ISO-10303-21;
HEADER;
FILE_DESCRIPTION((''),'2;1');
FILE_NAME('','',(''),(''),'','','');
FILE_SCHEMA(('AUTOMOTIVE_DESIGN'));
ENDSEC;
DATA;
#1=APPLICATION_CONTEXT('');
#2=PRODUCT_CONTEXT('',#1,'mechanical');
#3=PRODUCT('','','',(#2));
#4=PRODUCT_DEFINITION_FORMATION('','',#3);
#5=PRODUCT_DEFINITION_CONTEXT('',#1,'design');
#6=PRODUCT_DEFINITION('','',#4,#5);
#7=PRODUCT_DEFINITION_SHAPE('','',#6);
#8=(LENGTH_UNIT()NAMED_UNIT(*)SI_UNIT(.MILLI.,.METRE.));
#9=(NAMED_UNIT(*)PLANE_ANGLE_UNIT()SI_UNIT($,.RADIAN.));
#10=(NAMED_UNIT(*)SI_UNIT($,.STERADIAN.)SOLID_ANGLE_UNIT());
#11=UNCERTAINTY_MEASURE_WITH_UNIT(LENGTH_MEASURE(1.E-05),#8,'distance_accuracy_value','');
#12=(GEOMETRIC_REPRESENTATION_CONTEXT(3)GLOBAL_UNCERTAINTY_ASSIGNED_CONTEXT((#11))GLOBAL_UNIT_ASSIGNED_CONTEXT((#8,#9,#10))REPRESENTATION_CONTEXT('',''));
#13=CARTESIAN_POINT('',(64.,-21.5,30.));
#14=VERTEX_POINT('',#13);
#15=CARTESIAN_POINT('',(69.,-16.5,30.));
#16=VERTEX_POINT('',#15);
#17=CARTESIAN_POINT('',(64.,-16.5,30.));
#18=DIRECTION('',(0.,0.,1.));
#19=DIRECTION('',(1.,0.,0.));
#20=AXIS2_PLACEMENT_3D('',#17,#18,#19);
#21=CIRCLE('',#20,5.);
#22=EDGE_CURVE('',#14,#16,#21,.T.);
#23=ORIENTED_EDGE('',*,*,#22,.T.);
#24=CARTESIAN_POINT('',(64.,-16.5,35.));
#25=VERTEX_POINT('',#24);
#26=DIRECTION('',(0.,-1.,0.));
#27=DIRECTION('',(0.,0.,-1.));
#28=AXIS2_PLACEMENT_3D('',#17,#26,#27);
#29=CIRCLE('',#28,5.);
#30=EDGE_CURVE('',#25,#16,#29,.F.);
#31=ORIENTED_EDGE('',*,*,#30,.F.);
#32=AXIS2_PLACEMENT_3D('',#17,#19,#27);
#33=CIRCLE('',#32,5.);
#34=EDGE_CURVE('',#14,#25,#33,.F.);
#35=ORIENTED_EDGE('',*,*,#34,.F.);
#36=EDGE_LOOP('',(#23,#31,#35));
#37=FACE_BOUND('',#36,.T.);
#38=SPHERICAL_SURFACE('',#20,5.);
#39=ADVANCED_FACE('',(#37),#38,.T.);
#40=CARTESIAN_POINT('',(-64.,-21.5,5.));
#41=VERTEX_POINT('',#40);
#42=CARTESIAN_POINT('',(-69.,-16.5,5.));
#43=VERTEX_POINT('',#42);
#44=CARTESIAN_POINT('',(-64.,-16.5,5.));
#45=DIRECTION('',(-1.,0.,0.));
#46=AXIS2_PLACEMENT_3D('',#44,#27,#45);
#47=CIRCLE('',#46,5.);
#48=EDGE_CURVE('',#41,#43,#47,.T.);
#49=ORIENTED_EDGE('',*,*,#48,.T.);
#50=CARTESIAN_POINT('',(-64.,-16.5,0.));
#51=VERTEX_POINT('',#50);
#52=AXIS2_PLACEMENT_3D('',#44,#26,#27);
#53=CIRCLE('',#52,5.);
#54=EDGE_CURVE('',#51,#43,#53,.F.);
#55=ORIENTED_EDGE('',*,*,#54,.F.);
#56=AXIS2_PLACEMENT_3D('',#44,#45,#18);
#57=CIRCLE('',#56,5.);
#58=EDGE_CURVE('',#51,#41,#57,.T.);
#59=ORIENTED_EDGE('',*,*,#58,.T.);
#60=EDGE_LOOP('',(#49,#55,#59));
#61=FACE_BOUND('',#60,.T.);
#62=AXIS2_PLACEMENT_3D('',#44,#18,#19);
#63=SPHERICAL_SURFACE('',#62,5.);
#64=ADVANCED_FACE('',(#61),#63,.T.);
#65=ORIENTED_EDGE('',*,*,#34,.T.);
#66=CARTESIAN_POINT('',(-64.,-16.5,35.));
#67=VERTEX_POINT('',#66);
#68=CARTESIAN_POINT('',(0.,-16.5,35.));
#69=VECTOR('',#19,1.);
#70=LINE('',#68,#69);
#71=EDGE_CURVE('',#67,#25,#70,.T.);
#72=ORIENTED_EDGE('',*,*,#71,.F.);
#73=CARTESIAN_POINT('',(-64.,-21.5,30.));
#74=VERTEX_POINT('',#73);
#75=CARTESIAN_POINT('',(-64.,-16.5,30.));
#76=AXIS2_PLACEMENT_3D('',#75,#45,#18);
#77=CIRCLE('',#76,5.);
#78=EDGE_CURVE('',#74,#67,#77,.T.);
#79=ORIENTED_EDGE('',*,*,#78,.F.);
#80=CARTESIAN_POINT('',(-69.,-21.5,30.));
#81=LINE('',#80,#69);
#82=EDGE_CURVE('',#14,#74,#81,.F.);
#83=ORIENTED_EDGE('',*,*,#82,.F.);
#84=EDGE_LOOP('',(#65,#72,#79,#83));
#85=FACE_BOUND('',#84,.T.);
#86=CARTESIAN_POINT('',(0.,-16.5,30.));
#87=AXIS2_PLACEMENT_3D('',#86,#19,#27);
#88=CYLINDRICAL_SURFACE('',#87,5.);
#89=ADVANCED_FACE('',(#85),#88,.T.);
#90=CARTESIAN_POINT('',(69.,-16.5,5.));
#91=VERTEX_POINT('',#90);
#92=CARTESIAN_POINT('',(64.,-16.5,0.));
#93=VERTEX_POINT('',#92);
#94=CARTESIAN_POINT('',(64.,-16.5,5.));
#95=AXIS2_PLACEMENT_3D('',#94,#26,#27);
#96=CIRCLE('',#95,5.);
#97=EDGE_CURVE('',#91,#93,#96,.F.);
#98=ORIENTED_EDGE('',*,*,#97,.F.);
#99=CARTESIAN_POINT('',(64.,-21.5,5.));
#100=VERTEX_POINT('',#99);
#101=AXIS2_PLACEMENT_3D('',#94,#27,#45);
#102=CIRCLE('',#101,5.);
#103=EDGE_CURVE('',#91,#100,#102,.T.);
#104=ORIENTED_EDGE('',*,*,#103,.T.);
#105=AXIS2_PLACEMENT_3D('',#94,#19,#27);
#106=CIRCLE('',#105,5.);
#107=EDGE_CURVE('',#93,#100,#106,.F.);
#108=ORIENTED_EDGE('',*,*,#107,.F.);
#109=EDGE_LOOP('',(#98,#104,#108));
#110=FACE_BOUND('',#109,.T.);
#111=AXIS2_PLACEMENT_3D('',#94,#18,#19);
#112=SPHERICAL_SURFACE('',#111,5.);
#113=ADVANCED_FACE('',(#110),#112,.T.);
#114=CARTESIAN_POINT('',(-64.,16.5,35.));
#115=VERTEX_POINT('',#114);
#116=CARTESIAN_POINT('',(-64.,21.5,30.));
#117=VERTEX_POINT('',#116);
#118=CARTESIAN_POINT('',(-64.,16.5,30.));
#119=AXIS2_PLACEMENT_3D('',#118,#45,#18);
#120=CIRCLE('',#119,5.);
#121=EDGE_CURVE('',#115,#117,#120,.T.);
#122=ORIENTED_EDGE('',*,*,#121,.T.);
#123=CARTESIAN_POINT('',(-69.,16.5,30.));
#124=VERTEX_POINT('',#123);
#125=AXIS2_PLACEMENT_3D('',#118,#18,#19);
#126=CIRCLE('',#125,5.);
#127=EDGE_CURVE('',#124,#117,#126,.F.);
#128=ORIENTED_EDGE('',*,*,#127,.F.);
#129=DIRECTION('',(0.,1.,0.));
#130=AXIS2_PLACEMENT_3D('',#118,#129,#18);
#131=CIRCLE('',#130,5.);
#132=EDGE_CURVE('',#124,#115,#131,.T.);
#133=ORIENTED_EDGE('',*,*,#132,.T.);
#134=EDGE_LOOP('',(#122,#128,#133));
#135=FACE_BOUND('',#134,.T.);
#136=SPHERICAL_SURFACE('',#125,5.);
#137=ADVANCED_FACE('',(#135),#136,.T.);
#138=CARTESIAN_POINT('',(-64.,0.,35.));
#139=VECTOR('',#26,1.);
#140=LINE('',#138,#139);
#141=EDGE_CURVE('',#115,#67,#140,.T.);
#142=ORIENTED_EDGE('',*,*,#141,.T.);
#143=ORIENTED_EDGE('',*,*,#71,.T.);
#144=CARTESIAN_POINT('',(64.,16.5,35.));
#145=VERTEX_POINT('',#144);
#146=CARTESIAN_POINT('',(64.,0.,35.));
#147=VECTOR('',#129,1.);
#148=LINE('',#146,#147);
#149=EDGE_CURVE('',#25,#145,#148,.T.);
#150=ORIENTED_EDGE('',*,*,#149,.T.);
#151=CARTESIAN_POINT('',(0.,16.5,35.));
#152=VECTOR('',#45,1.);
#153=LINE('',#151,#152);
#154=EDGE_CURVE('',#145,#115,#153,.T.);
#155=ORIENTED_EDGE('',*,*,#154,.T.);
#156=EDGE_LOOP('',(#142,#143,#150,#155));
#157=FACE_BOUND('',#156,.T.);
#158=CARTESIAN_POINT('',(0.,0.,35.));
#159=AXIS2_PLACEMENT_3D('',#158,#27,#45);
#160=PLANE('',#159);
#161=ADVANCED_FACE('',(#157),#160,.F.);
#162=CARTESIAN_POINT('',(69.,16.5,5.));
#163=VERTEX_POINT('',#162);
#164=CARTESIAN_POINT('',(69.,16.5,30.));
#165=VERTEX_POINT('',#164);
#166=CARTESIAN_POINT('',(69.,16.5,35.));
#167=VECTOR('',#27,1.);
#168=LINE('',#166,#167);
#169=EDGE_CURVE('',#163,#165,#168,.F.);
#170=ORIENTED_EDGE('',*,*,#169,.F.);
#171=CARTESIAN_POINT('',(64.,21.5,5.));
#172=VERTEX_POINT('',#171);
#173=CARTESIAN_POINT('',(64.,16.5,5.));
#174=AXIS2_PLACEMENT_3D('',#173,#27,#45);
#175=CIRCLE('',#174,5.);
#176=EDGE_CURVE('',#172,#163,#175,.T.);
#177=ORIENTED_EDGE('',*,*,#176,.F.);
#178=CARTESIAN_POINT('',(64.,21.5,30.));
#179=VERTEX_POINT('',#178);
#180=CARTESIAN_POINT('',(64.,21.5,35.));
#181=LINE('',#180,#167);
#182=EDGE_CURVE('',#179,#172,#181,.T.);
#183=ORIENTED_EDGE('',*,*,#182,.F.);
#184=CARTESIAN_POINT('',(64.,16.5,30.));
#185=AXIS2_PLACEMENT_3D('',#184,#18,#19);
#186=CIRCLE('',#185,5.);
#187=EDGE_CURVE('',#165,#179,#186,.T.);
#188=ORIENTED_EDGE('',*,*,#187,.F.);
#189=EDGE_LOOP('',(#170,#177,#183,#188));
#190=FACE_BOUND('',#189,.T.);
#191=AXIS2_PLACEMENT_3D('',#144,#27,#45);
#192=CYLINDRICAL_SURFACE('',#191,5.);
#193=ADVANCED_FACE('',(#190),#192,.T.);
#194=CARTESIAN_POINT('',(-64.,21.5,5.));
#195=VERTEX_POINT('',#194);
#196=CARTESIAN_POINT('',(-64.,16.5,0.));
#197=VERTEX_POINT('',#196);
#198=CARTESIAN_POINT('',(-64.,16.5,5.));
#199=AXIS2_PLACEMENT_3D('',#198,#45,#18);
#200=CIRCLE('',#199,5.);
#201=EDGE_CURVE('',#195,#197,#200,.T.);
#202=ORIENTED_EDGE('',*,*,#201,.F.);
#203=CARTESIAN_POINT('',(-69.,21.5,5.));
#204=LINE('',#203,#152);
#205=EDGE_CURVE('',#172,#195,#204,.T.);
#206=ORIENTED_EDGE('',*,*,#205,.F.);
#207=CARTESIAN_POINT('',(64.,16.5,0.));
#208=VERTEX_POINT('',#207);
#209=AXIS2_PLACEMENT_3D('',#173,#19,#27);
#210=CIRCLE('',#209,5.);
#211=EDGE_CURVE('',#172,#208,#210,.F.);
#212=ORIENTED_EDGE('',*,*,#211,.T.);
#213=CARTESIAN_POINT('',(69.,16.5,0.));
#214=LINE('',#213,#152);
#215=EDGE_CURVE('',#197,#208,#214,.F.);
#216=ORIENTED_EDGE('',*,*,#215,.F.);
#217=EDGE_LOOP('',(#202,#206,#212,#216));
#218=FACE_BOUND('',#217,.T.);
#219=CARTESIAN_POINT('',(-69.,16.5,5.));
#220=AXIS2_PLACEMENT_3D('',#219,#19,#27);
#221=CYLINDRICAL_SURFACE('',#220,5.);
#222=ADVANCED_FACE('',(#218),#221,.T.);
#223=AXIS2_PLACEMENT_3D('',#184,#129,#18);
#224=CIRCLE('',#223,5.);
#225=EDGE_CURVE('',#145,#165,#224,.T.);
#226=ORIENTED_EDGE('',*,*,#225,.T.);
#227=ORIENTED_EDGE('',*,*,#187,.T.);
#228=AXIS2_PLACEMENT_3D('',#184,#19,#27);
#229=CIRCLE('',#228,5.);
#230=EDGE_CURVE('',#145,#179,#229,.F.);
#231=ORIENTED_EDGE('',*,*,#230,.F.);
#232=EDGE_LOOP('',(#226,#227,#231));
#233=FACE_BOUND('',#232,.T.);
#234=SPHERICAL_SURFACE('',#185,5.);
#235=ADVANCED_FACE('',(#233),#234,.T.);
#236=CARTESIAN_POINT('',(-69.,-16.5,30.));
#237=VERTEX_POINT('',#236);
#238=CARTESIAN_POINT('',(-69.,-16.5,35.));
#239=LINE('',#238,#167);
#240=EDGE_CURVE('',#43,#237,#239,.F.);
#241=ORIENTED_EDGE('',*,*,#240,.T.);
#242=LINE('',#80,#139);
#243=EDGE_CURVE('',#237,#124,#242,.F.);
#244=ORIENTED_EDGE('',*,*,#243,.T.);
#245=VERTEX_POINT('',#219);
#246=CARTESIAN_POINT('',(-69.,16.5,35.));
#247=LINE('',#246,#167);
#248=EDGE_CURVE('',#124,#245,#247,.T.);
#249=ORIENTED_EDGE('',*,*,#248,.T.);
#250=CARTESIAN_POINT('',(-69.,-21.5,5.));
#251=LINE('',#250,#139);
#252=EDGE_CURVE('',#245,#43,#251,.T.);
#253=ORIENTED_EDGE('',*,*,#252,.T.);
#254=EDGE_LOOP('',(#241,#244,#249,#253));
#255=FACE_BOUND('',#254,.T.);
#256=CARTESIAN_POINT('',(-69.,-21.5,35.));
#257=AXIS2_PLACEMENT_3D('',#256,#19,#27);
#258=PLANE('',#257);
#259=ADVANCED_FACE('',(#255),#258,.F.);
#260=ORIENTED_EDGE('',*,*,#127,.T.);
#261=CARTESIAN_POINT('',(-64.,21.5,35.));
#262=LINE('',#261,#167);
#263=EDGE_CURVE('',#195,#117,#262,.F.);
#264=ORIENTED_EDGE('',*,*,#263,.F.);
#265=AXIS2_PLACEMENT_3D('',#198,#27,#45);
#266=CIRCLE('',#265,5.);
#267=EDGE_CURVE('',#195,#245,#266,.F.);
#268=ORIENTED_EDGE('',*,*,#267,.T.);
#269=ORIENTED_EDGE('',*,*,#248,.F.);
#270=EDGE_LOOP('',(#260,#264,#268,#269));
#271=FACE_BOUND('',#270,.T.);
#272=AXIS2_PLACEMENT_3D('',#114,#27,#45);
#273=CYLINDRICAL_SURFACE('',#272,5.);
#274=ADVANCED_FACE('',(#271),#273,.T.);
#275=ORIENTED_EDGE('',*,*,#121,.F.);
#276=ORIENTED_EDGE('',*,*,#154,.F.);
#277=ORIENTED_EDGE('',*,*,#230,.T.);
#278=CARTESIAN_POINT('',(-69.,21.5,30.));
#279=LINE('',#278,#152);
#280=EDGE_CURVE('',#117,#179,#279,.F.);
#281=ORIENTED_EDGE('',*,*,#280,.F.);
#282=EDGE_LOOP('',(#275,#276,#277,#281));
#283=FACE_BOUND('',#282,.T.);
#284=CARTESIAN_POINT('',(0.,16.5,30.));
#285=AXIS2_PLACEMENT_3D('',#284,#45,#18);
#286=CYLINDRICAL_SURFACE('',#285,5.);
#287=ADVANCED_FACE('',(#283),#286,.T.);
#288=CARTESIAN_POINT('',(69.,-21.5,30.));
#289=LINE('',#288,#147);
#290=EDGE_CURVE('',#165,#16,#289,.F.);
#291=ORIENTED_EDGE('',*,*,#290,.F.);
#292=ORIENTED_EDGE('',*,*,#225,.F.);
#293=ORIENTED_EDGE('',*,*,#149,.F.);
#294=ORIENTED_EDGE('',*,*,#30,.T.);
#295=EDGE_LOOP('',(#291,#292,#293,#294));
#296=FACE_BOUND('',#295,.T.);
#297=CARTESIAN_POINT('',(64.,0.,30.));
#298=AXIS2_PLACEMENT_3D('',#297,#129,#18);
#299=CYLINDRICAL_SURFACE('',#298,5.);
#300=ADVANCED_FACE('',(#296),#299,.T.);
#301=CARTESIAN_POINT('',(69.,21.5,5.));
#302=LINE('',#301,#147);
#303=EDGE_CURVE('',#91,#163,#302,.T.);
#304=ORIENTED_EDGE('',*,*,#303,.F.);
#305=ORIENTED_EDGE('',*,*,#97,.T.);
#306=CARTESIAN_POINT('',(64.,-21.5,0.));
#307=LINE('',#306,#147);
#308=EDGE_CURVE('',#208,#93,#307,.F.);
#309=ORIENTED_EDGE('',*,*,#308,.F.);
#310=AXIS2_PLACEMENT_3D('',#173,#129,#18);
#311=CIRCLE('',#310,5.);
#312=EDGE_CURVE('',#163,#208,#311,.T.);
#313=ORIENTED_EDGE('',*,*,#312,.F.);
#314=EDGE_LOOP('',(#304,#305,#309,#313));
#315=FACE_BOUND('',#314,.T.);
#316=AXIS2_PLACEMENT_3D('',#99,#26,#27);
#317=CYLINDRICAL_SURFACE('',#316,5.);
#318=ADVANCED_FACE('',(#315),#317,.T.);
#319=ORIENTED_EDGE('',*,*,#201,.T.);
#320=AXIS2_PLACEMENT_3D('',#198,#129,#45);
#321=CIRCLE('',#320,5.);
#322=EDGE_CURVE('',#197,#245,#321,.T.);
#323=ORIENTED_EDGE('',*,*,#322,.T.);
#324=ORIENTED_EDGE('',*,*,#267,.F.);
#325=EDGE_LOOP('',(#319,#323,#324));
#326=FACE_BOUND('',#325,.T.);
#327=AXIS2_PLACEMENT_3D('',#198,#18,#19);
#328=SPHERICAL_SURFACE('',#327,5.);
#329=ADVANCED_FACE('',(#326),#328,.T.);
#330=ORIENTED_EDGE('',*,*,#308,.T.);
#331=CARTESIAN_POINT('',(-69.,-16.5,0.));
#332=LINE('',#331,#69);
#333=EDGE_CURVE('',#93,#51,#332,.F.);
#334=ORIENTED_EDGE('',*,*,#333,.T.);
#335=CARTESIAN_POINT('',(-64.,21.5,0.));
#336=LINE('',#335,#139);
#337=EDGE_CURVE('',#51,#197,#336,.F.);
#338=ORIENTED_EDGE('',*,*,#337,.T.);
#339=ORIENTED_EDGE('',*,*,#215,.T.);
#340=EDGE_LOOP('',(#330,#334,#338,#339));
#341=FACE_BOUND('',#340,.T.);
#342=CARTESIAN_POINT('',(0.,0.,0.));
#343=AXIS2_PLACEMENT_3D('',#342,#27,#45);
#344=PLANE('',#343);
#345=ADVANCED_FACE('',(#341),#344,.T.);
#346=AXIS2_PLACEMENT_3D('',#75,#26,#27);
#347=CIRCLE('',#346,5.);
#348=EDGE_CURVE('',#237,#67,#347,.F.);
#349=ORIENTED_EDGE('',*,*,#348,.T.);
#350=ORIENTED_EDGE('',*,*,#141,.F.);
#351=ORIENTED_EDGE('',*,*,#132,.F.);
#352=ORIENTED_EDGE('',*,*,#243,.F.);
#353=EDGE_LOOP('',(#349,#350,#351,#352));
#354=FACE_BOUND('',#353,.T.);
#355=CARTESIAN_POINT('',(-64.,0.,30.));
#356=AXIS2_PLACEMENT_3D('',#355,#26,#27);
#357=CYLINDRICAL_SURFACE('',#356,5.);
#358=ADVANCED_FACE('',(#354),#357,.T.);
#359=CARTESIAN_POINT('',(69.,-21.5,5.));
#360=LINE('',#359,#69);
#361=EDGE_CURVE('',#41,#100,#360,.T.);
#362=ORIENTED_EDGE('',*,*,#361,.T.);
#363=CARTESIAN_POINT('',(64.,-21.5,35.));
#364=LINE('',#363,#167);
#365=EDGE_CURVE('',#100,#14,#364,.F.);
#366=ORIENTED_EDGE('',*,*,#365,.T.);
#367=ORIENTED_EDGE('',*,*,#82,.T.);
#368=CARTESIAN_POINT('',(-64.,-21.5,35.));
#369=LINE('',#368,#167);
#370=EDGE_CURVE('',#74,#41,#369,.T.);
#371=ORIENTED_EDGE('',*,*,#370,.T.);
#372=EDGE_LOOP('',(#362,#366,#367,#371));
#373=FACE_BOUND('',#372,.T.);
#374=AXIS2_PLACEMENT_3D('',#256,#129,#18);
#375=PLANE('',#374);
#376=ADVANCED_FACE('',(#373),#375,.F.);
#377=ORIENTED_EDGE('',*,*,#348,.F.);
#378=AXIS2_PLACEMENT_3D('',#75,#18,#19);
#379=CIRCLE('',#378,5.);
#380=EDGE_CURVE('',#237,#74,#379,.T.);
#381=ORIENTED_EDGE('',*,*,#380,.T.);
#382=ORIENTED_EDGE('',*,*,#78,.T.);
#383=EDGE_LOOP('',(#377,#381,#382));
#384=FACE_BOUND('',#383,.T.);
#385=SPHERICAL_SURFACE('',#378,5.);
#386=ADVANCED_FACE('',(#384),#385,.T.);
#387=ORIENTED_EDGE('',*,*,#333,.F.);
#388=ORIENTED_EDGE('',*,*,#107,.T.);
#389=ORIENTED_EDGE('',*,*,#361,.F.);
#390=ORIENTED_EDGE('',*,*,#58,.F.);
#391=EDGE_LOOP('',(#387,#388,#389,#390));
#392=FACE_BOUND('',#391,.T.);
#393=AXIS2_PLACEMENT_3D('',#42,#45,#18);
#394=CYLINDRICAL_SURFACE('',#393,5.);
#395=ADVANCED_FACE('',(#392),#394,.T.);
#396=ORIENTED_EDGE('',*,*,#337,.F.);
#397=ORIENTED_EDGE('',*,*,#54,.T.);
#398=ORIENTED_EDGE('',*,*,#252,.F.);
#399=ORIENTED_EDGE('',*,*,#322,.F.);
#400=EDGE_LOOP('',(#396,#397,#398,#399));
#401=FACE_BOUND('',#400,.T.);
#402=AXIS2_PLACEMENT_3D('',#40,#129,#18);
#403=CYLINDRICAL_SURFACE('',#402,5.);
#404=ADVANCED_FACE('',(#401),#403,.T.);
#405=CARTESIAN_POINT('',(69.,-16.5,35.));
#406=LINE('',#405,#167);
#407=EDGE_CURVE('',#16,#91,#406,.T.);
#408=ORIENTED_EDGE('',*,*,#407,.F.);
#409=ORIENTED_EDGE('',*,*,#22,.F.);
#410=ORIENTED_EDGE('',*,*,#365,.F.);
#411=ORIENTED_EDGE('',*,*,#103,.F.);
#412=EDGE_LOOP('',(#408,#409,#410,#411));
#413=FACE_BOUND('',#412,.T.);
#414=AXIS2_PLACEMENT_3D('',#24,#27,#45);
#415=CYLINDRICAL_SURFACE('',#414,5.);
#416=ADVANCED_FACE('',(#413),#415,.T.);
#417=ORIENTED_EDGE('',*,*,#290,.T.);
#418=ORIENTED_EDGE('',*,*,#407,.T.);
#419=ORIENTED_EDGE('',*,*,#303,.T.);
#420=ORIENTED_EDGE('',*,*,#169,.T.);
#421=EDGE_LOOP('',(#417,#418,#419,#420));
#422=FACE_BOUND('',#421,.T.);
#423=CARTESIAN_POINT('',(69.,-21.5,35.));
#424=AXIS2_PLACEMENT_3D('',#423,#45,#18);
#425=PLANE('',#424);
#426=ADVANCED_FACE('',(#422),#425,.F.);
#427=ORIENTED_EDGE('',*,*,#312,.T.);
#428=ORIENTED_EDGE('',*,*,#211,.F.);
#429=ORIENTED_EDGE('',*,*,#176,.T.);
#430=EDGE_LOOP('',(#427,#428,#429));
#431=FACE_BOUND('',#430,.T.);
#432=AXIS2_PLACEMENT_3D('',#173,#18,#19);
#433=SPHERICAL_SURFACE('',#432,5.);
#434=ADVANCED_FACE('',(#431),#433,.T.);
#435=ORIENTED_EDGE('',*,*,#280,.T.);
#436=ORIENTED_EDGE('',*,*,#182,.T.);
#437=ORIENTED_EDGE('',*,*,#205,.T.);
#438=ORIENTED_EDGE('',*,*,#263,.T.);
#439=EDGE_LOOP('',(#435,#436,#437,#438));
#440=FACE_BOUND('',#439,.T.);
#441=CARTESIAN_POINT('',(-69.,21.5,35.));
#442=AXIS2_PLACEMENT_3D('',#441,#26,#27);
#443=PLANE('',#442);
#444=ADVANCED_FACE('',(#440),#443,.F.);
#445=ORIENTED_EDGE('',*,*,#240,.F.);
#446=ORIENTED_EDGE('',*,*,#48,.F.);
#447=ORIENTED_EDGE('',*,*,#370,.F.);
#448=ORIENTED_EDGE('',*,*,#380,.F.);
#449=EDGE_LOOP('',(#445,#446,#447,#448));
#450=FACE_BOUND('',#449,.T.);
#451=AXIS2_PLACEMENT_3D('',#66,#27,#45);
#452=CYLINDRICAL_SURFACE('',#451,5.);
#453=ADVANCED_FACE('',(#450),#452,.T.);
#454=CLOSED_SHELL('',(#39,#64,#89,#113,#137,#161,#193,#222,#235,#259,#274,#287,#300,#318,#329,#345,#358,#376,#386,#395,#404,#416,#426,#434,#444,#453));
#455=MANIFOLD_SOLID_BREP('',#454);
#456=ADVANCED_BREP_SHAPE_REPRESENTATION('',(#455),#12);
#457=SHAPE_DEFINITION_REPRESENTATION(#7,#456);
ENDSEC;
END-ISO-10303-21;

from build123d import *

# Parameters (mm, degrees)
SKETCH1_W           = 138
SKETCH1_H           = 43
BOSS_EXTRUDE1_DEPTH = 35
FILLET1_R           = 5


with BuildPart() as part:
    # Sketch1 → Boss-Extrude1 (new body)
    with BuildSketch(Plane.XY):
        Rectangle(SKETCH1_W, SKETCH1_H)
    extrude(amount=BOSS_EXTRUDE1_DEPTH)

    # Fillet1
    fillet1_edges = [part.edges().sort_by_distance(p)[0] for p in [
        (-69, 0, 35),
        (0, -21.5, 35),
        (69, 0, 35),
        (0, -21.5, 0),
        (-69, 0, 0),
        (0, 21.5, 0),
        (69, 0, 0),
        (69, -21.5, 17.5),
        (-69, -21.5, 17.5),
        (-69, 21.5, 17.5),
        (69, 21.5, 17.5),
        (0, 21.5, 35),
    ]]
    fillet(fillet1_edges, radius=FILLET1_R)


solid = part.part
